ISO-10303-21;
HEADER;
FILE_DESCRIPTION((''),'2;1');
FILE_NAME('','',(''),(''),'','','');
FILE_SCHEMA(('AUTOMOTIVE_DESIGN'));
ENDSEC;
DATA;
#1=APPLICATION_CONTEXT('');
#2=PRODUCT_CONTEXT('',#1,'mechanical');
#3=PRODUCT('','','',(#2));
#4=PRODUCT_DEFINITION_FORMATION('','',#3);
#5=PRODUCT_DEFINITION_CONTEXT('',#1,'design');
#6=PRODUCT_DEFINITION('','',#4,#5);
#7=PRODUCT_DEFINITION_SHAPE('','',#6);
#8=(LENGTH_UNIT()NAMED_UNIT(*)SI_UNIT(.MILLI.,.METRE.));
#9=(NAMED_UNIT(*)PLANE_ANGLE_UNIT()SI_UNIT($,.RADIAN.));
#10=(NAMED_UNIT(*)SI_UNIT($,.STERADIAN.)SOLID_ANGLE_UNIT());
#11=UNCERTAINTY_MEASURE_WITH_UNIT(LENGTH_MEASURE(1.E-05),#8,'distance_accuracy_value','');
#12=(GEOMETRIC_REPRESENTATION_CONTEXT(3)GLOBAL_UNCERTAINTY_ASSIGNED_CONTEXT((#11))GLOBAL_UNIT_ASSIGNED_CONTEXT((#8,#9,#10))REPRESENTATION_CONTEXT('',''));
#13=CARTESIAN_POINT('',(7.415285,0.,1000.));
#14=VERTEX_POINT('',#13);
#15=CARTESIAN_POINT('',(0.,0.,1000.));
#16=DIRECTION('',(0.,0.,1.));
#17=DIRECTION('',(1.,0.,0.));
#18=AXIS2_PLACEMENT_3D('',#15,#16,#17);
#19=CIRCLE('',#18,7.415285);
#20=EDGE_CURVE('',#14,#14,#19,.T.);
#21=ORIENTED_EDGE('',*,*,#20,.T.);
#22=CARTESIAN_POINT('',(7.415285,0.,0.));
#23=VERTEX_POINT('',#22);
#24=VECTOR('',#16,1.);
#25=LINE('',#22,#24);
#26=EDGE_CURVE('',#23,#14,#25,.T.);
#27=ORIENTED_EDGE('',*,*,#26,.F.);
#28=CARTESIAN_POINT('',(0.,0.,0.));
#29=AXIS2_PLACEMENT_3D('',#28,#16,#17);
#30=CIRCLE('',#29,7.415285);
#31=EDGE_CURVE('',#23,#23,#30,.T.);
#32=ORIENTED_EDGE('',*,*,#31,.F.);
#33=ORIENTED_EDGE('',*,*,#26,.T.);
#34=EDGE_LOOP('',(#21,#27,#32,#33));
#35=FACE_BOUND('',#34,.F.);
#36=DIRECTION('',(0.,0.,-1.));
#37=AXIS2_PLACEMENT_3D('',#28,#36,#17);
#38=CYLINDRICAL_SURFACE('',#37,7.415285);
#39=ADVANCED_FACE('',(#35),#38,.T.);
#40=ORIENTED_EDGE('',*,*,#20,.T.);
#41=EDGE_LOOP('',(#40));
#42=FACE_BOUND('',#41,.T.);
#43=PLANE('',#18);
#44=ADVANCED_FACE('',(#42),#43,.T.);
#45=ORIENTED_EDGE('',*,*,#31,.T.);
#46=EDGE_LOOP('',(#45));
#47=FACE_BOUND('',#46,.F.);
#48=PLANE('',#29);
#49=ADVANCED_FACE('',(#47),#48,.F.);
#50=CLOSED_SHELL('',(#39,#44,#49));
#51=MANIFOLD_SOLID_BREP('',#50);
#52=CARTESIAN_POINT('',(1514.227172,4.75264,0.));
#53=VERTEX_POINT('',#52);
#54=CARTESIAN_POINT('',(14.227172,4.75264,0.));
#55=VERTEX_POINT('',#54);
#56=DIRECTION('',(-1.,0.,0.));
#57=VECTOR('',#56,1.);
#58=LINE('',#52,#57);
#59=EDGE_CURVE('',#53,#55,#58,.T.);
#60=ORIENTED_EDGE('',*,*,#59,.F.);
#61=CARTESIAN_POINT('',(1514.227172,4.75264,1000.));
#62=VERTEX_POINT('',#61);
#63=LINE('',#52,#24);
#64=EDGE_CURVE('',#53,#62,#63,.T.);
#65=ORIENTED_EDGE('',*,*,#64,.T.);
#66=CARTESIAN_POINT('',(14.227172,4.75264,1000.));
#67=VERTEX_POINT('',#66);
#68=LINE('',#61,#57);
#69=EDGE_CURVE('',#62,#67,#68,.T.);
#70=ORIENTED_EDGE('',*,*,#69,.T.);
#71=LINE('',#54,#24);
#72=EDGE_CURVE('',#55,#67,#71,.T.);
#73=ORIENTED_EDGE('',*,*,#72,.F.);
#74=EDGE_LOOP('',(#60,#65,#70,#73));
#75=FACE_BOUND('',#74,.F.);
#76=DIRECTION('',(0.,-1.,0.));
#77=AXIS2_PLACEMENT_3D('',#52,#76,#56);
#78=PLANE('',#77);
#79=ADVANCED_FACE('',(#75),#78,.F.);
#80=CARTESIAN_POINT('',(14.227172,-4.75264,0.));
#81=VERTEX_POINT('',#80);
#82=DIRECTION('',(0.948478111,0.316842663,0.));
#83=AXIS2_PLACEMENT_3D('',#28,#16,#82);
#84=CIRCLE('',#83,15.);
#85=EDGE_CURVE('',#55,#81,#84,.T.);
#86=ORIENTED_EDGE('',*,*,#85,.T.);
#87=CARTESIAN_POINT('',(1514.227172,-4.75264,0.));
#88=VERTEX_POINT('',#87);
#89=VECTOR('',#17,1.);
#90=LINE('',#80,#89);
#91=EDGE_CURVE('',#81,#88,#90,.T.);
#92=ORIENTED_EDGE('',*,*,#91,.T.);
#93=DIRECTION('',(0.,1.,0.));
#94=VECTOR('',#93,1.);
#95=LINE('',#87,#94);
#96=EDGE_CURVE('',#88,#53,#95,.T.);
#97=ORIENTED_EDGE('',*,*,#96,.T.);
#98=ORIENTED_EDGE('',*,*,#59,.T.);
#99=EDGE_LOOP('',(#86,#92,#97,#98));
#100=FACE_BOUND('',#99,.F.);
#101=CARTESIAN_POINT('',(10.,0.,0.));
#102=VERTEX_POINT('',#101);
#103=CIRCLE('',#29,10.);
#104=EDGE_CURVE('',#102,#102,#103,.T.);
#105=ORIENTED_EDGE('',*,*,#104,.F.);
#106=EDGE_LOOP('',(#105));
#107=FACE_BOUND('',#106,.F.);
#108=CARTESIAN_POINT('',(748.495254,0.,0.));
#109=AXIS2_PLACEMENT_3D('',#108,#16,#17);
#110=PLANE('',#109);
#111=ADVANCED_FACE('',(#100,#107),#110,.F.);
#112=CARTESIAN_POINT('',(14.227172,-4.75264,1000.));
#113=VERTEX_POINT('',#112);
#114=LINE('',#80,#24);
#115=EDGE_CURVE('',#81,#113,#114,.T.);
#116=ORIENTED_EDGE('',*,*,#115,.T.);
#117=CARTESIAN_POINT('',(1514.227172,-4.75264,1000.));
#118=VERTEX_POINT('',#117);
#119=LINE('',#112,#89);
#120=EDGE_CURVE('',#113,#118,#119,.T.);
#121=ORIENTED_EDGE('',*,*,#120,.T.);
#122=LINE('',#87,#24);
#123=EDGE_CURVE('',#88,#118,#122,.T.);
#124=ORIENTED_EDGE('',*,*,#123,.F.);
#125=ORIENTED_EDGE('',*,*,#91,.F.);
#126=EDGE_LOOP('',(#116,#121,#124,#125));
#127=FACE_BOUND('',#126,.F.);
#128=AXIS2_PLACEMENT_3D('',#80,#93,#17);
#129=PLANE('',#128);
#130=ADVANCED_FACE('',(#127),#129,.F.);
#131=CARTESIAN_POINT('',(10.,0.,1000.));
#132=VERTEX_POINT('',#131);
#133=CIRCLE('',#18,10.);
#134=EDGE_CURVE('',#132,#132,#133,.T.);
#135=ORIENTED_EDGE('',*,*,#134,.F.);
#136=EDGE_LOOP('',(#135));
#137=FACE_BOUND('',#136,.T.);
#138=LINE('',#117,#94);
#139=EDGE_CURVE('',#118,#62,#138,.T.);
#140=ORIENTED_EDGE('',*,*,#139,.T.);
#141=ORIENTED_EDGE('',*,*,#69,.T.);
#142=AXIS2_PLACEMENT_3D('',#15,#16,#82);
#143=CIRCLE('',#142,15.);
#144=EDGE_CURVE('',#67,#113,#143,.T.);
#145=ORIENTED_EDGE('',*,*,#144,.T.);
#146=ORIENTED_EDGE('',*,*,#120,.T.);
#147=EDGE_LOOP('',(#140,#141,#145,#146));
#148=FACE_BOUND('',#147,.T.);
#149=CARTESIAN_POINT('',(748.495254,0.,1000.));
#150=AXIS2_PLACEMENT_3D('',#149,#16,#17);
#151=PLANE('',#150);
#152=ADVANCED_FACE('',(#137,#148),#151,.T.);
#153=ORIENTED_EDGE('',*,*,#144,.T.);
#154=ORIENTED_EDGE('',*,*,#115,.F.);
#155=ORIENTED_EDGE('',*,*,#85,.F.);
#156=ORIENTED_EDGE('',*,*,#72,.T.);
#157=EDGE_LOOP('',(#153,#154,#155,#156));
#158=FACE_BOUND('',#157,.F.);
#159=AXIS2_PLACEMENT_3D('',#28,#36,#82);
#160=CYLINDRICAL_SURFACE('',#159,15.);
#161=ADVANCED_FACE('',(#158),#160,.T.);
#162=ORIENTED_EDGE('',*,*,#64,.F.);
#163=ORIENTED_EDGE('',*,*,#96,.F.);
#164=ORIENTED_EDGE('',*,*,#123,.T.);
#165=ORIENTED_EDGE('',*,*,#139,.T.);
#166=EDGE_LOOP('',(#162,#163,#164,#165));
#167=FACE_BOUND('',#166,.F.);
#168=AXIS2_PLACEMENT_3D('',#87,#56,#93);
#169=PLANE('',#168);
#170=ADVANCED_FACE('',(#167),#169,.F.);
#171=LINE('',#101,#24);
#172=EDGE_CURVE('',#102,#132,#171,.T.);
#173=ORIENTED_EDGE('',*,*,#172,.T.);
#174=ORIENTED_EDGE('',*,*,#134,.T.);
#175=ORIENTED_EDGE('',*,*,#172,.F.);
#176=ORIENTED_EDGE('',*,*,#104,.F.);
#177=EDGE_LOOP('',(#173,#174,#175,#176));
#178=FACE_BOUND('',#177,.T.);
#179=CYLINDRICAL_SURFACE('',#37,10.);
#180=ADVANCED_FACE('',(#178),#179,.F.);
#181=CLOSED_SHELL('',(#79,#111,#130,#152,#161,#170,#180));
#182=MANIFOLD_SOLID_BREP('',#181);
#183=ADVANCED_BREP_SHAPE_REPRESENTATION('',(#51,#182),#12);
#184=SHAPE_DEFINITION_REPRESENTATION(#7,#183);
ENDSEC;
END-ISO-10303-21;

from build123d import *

# Parameters (mm, degrees)
F0_R     = 7.415285
F1_DEPTH = 1000
F2_R     = 10
F3_DEPTH = 1000


with BuildPart() as f1:
    # F0 (on Top) → F1 (new body)
    with BuildSketch(Plane.XY):
        Circle(F0_R)
    extrude(amount=F1_DEPTH)


with BuildPart() as f3:
    # F2 (on Top) → F3 (new body)
    with BuildSketch(Plane.XY):
        with BuildLine():
            Line((1514.227172, 4.75264), (14.227172, 4.75264))
            ThreePointArc((14.227172, 4.75264), (-15, 0), (14.227172, -4.75264))
            Line((14.227172, -4.75264), (1514.227172, -4.75264))
            Line((1514.227172, -4.75264), (1514.227172, 4.75264))
        make_face()
        Circle(F2_R, mode=Mode.SUBTRACT)
    extrude(amount=F3_DEPTH)


solid = Compound([f1.part, f3.part])
